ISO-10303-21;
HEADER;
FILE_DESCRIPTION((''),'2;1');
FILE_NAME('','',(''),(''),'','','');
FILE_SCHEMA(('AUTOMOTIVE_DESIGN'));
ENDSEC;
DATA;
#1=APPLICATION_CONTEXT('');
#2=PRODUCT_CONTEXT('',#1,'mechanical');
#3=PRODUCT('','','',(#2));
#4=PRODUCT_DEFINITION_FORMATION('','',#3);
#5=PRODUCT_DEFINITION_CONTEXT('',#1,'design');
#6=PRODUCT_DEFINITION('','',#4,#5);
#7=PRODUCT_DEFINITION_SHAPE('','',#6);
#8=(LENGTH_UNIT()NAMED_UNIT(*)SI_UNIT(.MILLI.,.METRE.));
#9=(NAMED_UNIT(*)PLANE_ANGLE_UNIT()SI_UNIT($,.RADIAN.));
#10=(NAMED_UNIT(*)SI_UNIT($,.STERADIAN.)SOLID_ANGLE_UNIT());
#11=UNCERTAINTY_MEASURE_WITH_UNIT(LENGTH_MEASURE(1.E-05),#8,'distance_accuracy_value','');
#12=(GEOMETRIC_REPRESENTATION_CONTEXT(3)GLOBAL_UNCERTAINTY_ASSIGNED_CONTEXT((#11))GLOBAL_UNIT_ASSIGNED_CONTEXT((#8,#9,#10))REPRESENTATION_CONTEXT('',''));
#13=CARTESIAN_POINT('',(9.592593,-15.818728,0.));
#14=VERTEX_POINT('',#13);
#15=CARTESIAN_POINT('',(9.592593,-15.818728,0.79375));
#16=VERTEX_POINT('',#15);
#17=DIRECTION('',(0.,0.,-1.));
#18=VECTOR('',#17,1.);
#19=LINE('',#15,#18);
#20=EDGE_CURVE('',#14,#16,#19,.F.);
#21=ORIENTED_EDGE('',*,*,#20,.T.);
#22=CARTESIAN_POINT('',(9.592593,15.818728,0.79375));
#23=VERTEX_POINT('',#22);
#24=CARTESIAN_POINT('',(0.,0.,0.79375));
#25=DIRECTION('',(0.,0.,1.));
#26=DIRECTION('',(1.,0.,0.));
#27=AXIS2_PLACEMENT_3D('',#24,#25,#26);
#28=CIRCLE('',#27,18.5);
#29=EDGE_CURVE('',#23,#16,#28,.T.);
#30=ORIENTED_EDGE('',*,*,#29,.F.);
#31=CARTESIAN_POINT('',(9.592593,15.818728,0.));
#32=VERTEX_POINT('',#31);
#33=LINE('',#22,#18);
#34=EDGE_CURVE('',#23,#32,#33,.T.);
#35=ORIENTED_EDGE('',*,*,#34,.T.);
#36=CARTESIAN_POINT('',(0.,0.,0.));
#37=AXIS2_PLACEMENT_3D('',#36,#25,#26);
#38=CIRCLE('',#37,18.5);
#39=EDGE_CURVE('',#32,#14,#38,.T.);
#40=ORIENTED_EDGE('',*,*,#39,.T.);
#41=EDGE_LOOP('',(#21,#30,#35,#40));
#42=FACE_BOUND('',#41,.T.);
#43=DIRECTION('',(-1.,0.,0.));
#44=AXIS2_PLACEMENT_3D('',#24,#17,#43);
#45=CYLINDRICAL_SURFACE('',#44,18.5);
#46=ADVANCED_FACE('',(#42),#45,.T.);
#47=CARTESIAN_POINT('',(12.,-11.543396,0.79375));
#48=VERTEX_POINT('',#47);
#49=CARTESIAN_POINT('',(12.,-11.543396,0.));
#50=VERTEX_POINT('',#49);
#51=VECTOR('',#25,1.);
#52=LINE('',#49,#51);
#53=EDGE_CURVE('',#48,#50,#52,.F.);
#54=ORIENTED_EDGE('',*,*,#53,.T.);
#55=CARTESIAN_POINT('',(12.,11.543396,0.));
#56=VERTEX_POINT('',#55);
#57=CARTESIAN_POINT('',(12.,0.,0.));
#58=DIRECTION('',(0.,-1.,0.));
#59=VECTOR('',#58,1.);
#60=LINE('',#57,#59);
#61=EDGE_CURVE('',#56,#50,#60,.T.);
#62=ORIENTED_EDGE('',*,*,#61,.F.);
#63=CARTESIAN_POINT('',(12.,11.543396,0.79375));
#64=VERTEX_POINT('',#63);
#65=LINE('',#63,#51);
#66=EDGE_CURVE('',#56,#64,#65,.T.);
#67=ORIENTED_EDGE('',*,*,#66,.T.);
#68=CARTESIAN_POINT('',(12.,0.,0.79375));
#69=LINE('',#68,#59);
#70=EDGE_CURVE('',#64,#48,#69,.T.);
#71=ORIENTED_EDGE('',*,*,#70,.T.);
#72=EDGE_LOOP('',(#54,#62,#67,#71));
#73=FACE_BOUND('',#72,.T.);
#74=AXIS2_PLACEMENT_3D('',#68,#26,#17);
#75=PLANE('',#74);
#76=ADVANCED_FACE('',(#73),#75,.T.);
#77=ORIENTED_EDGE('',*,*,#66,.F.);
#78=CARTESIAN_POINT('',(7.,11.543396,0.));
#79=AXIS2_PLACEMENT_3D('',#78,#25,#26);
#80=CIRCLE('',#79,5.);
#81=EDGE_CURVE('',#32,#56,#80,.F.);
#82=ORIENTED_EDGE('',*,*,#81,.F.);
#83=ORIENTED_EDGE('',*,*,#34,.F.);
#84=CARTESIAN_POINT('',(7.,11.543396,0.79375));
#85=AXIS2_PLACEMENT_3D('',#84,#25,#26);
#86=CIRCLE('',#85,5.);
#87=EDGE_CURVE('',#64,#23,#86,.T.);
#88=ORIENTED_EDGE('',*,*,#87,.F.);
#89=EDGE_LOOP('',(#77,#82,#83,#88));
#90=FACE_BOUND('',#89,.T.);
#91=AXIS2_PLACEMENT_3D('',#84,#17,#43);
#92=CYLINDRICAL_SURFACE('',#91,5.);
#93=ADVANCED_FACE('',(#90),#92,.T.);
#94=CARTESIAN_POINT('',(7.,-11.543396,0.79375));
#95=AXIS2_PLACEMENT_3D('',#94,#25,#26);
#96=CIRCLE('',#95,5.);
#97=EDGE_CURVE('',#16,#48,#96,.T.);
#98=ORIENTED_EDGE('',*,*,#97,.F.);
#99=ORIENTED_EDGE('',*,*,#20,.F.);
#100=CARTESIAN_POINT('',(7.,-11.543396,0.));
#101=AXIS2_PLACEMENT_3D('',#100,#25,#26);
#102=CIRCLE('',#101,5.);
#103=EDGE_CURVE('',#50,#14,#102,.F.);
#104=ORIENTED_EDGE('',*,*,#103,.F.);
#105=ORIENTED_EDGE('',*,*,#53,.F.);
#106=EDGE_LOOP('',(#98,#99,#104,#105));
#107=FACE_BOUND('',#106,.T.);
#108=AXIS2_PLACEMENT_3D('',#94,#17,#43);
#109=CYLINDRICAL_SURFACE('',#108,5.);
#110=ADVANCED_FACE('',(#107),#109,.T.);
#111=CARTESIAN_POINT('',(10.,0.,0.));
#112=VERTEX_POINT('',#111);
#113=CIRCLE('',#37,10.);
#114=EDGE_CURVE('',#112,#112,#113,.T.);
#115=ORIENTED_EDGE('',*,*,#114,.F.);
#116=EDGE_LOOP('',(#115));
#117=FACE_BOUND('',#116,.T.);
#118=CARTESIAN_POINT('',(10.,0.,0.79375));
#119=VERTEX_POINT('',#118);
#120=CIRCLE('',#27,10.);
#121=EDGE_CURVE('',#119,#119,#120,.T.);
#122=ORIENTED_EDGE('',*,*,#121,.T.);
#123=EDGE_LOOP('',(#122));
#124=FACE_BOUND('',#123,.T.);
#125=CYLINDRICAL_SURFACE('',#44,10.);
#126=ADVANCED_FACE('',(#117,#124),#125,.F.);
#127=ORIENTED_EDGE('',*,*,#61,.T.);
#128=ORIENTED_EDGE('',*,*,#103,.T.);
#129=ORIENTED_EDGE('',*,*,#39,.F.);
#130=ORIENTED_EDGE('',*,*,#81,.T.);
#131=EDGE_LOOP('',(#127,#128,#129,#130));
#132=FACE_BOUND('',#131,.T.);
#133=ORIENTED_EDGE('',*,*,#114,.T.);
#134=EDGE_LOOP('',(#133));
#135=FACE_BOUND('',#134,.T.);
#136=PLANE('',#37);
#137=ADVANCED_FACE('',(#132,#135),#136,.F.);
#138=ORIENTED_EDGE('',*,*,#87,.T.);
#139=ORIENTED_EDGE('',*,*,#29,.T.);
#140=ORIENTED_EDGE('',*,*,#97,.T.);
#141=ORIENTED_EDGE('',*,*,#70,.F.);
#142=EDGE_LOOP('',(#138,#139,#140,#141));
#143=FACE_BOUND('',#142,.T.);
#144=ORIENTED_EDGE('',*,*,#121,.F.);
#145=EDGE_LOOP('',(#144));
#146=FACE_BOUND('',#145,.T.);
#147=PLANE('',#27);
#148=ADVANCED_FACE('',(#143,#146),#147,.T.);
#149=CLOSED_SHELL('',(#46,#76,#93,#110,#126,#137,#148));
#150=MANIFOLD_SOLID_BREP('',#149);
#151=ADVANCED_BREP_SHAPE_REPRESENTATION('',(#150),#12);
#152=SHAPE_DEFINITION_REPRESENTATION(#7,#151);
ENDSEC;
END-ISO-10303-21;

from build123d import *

# Parameters (mm, degrees)
SKETCH1_R           = 18.5
SKETCH1_R_2         = 10
BOSS_EXTRUDE1_DEPTH = 0.79375
CUT_EXTRUDE3_DEPTH  = 27.174988807
FILLET1_R           = 5


with BuildPart() as part:
    # Sketch1 → Boss-Extrude1 (new body)
    with BuildSketch(Plane.XY):
        Circle(SKETCH1_R)
        Circle(SKETCH1_R_2, mode=Mode.SUBTRACT)
    extrude(amount=BOSS_EXTRUDE1_DEPTH)

    # Sketch1<3> → Cut-Extrude3 (cut, through all)
    with BuildSketch(Plane.XY):
        with BuildLine():
            ThreePointArc((18.5, 0), (16.796577032, 7.75403121), (12, 14.08012784))
            Line((12, 14.08012784), (12, -14.08012784))
            ThreePointArc((12, -14.08012784), (16.796577032, -7.75403121), (18.5, 0))
        make_face()
    extrude(amount=CUT_EXTRUDE3_DEPTH, mode=Mode.SUBTRACT)

    # Fillet1
    fillet1_edges = [part.edges().sort_by_distance(p)[0] for p in [
        (12, -14.08012784, 0.396875),
        (12, 14.08012784, 0.396875),
    ]]
    fillet(fillet1_edges, radius=FILLET1_R)


solid = part.part
